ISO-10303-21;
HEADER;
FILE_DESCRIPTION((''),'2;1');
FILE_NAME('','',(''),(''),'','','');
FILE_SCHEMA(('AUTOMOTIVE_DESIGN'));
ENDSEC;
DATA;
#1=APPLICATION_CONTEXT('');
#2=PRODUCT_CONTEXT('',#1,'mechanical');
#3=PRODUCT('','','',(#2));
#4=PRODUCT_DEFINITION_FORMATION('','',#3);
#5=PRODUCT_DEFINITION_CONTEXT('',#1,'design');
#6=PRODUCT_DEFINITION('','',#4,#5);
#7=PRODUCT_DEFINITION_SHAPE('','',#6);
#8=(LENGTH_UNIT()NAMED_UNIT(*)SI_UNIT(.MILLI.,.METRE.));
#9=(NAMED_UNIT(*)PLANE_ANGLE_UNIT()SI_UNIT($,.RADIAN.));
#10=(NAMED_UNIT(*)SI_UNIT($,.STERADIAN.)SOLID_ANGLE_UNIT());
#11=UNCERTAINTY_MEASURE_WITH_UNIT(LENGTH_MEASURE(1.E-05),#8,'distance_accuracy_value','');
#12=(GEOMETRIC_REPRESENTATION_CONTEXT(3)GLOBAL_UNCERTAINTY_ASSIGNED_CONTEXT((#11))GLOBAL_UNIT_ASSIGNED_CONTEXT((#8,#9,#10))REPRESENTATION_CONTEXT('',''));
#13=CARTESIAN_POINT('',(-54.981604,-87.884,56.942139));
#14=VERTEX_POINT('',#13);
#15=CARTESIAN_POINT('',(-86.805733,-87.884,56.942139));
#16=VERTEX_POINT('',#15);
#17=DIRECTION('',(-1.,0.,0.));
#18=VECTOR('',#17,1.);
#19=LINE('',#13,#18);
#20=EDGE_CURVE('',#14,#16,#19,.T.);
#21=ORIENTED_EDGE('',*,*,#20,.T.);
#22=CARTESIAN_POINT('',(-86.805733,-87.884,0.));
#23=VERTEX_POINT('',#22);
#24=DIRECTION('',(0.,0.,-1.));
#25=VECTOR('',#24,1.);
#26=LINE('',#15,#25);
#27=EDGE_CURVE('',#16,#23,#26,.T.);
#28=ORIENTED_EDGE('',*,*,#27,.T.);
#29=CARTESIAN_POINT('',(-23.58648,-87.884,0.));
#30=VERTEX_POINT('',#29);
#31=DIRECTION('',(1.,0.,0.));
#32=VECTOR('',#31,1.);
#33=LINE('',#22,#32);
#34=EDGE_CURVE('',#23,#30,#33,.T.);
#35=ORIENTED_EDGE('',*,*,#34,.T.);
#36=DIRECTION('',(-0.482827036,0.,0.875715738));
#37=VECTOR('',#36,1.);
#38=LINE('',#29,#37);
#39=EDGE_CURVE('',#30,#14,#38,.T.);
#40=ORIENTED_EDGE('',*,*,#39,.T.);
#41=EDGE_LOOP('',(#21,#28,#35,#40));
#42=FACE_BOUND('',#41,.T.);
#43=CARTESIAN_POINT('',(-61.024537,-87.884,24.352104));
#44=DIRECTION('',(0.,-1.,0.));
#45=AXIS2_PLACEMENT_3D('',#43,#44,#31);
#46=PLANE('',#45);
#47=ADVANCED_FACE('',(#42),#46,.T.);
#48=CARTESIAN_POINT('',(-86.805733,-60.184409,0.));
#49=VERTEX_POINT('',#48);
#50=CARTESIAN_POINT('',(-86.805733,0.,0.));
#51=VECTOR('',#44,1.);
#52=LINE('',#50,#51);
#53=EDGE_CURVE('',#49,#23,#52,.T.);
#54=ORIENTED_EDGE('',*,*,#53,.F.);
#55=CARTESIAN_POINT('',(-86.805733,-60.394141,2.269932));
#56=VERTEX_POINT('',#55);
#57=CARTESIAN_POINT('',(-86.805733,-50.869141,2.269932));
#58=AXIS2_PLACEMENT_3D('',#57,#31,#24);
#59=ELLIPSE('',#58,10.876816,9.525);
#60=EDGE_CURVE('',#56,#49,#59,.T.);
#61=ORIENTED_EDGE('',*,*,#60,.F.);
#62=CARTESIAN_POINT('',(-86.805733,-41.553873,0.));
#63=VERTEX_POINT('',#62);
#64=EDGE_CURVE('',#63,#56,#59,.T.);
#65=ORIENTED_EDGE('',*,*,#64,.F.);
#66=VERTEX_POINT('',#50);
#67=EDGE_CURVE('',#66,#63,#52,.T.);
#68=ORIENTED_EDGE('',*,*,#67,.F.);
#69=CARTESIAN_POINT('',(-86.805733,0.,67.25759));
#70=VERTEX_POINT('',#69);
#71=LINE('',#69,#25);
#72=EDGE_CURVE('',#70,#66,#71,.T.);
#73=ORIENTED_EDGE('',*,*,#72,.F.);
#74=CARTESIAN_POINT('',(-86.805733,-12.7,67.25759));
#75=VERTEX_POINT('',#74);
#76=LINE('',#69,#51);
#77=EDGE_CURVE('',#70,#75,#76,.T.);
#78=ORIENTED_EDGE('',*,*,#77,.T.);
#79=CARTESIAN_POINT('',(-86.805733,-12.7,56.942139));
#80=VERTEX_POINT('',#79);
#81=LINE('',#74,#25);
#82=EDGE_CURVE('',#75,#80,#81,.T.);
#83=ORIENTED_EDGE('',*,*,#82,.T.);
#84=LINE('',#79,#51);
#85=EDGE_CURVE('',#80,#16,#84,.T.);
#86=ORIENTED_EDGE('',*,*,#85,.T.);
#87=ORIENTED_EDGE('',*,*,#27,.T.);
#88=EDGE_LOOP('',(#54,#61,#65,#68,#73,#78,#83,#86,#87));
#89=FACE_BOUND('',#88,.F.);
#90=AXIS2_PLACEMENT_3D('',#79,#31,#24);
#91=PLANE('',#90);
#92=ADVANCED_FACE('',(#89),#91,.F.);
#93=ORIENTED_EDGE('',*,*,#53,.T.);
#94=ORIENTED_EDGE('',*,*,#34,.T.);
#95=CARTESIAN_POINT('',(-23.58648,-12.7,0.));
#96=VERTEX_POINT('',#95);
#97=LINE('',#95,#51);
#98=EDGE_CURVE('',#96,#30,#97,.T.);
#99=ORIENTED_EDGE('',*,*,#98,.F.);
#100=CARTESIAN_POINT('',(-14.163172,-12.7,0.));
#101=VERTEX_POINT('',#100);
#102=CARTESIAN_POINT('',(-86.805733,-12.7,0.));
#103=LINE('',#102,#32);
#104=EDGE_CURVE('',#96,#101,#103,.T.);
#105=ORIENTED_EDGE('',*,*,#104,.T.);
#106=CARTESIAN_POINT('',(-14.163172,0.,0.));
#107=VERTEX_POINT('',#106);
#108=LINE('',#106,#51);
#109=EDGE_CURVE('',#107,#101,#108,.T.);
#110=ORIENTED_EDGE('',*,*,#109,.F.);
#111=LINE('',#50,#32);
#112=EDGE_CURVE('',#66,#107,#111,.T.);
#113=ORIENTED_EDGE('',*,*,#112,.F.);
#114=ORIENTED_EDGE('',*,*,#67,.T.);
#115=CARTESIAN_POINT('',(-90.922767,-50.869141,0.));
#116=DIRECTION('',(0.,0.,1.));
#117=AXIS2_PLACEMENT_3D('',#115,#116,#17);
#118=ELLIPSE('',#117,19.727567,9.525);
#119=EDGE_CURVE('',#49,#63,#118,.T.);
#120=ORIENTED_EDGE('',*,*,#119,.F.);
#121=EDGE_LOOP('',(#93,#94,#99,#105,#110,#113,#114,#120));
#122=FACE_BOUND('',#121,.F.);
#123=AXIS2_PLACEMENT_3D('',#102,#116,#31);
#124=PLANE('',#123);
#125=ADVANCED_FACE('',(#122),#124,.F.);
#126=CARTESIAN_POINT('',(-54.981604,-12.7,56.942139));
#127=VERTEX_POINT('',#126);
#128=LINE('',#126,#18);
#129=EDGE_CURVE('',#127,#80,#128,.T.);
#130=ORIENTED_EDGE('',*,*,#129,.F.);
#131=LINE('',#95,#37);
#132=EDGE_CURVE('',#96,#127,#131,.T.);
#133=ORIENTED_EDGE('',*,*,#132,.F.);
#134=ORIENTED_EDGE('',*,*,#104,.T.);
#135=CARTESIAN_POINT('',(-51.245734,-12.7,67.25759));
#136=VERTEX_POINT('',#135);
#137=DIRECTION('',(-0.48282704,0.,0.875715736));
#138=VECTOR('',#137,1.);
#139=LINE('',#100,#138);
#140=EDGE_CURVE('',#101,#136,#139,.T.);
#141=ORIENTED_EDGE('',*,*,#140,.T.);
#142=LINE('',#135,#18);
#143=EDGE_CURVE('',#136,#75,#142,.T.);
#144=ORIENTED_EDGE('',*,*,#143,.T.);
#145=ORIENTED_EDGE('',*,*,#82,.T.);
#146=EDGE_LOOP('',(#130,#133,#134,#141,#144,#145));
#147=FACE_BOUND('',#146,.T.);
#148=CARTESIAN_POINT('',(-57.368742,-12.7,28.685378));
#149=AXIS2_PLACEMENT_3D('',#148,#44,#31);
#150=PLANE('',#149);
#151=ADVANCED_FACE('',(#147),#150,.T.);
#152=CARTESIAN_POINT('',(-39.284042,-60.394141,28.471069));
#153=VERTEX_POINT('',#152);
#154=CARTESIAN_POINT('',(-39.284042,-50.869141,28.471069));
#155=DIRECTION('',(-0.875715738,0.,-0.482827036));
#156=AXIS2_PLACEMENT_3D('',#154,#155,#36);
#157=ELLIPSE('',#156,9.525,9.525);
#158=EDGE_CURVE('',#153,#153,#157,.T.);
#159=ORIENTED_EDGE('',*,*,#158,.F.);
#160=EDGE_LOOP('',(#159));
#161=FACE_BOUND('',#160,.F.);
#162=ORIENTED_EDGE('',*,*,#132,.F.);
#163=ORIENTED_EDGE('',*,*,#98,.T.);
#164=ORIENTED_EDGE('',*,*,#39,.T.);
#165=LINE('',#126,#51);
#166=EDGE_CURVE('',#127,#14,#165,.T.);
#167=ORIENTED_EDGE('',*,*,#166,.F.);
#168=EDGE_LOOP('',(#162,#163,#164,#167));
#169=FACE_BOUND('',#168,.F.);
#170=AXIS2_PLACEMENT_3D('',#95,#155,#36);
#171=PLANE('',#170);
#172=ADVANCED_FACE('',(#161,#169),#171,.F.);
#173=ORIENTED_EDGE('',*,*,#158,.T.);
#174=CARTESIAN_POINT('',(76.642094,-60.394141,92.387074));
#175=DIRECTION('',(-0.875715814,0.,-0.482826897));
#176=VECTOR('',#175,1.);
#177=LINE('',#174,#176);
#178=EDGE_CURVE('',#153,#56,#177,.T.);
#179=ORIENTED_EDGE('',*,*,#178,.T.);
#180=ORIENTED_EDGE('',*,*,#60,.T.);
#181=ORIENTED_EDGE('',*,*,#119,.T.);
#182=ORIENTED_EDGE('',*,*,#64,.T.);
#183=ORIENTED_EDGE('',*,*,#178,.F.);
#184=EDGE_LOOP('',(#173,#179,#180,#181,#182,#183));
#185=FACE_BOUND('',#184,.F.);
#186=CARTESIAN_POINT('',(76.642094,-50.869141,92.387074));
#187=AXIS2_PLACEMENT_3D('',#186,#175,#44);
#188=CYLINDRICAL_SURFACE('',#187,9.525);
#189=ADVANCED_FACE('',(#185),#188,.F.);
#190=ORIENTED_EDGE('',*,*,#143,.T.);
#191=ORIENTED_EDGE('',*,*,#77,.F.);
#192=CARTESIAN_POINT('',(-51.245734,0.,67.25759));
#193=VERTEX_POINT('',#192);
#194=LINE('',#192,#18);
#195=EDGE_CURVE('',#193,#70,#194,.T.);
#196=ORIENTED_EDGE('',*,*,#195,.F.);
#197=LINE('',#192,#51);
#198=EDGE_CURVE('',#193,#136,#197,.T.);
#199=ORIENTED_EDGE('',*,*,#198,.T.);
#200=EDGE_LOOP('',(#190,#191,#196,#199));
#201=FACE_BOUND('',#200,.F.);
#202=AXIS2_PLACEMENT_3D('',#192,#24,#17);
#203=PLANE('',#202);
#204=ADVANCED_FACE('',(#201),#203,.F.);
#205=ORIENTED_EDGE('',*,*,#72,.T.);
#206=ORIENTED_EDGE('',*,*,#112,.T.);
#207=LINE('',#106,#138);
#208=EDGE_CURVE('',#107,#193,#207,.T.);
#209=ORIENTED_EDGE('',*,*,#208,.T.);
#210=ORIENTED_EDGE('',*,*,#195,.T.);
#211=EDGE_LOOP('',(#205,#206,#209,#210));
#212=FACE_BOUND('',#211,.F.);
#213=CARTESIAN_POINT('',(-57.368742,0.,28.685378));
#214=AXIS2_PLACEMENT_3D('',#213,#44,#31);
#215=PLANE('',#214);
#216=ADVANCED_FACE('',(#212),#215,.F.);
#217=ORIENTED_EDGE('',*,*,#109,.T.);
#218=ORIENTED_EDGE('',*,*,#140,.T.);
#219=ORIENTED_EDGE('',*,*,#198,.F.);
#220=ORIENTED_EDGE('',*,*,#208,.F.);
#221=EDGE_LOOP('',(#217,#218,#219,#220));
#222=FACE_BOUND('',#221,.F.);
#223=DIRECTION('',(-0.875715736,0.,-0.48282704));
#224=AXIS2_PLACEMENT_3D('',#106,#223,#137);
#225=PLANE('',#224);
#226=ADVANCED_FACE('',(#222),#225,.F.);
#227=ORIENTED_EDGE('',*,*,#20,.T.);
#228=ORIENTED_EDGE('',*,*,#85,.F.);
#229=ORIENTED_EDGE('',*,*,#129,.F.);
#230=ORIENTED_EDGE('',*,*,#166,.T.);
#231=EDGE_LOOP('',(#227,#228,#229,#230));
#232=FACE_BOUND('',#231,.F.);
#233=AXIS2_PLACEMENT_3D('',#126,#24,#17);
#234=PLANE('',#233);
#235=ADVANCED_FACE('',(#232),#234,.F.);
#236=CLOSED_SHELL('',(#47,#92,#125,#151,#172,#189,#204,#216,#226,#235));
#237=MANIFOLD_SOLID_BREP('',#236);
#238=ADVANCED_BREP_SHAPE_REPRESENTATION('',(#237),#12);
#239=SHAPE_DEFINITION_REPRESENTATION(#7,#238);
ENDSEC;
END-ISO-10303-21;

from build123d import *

# Parameters (mm, degrees)
F1_DEPTH = 12.7
F3_DEPTH = 75.184
F5_D     = 19.05


with BuildPart() as f1:
    # F0 (on Front) → F1 (new body)
    with BuildSketch(Plane.XZ):
        Polygon((-86.805733, 67.25759), (-86.805733, 0), (-14.163172, 0), (-51.245734, 67.25759), align=None)
    extrude(amount=F1_DEPTH)

    # F2 (on face) → F3 (join)
    with BuildSketch(Plane.XZ.offset(12.7)):
        Polygon((-54.981604, 56.942139), (-86.805733, 56.942139), (-86.805733, 0), (-23.58648, 0), align=None)
    extrude(amount=F3_DEPTH)

    # F5 (through all)
    with Locations(Plane(origin=(-18.087953, 0, -9.972817), x_dir=(0, 1, 0), z_dir=(0.875716, 0, 0.482827))):
        with Locations((-50.869141, 43.899961)):
            Hole(F5_D / 2)


solid = f1.part
